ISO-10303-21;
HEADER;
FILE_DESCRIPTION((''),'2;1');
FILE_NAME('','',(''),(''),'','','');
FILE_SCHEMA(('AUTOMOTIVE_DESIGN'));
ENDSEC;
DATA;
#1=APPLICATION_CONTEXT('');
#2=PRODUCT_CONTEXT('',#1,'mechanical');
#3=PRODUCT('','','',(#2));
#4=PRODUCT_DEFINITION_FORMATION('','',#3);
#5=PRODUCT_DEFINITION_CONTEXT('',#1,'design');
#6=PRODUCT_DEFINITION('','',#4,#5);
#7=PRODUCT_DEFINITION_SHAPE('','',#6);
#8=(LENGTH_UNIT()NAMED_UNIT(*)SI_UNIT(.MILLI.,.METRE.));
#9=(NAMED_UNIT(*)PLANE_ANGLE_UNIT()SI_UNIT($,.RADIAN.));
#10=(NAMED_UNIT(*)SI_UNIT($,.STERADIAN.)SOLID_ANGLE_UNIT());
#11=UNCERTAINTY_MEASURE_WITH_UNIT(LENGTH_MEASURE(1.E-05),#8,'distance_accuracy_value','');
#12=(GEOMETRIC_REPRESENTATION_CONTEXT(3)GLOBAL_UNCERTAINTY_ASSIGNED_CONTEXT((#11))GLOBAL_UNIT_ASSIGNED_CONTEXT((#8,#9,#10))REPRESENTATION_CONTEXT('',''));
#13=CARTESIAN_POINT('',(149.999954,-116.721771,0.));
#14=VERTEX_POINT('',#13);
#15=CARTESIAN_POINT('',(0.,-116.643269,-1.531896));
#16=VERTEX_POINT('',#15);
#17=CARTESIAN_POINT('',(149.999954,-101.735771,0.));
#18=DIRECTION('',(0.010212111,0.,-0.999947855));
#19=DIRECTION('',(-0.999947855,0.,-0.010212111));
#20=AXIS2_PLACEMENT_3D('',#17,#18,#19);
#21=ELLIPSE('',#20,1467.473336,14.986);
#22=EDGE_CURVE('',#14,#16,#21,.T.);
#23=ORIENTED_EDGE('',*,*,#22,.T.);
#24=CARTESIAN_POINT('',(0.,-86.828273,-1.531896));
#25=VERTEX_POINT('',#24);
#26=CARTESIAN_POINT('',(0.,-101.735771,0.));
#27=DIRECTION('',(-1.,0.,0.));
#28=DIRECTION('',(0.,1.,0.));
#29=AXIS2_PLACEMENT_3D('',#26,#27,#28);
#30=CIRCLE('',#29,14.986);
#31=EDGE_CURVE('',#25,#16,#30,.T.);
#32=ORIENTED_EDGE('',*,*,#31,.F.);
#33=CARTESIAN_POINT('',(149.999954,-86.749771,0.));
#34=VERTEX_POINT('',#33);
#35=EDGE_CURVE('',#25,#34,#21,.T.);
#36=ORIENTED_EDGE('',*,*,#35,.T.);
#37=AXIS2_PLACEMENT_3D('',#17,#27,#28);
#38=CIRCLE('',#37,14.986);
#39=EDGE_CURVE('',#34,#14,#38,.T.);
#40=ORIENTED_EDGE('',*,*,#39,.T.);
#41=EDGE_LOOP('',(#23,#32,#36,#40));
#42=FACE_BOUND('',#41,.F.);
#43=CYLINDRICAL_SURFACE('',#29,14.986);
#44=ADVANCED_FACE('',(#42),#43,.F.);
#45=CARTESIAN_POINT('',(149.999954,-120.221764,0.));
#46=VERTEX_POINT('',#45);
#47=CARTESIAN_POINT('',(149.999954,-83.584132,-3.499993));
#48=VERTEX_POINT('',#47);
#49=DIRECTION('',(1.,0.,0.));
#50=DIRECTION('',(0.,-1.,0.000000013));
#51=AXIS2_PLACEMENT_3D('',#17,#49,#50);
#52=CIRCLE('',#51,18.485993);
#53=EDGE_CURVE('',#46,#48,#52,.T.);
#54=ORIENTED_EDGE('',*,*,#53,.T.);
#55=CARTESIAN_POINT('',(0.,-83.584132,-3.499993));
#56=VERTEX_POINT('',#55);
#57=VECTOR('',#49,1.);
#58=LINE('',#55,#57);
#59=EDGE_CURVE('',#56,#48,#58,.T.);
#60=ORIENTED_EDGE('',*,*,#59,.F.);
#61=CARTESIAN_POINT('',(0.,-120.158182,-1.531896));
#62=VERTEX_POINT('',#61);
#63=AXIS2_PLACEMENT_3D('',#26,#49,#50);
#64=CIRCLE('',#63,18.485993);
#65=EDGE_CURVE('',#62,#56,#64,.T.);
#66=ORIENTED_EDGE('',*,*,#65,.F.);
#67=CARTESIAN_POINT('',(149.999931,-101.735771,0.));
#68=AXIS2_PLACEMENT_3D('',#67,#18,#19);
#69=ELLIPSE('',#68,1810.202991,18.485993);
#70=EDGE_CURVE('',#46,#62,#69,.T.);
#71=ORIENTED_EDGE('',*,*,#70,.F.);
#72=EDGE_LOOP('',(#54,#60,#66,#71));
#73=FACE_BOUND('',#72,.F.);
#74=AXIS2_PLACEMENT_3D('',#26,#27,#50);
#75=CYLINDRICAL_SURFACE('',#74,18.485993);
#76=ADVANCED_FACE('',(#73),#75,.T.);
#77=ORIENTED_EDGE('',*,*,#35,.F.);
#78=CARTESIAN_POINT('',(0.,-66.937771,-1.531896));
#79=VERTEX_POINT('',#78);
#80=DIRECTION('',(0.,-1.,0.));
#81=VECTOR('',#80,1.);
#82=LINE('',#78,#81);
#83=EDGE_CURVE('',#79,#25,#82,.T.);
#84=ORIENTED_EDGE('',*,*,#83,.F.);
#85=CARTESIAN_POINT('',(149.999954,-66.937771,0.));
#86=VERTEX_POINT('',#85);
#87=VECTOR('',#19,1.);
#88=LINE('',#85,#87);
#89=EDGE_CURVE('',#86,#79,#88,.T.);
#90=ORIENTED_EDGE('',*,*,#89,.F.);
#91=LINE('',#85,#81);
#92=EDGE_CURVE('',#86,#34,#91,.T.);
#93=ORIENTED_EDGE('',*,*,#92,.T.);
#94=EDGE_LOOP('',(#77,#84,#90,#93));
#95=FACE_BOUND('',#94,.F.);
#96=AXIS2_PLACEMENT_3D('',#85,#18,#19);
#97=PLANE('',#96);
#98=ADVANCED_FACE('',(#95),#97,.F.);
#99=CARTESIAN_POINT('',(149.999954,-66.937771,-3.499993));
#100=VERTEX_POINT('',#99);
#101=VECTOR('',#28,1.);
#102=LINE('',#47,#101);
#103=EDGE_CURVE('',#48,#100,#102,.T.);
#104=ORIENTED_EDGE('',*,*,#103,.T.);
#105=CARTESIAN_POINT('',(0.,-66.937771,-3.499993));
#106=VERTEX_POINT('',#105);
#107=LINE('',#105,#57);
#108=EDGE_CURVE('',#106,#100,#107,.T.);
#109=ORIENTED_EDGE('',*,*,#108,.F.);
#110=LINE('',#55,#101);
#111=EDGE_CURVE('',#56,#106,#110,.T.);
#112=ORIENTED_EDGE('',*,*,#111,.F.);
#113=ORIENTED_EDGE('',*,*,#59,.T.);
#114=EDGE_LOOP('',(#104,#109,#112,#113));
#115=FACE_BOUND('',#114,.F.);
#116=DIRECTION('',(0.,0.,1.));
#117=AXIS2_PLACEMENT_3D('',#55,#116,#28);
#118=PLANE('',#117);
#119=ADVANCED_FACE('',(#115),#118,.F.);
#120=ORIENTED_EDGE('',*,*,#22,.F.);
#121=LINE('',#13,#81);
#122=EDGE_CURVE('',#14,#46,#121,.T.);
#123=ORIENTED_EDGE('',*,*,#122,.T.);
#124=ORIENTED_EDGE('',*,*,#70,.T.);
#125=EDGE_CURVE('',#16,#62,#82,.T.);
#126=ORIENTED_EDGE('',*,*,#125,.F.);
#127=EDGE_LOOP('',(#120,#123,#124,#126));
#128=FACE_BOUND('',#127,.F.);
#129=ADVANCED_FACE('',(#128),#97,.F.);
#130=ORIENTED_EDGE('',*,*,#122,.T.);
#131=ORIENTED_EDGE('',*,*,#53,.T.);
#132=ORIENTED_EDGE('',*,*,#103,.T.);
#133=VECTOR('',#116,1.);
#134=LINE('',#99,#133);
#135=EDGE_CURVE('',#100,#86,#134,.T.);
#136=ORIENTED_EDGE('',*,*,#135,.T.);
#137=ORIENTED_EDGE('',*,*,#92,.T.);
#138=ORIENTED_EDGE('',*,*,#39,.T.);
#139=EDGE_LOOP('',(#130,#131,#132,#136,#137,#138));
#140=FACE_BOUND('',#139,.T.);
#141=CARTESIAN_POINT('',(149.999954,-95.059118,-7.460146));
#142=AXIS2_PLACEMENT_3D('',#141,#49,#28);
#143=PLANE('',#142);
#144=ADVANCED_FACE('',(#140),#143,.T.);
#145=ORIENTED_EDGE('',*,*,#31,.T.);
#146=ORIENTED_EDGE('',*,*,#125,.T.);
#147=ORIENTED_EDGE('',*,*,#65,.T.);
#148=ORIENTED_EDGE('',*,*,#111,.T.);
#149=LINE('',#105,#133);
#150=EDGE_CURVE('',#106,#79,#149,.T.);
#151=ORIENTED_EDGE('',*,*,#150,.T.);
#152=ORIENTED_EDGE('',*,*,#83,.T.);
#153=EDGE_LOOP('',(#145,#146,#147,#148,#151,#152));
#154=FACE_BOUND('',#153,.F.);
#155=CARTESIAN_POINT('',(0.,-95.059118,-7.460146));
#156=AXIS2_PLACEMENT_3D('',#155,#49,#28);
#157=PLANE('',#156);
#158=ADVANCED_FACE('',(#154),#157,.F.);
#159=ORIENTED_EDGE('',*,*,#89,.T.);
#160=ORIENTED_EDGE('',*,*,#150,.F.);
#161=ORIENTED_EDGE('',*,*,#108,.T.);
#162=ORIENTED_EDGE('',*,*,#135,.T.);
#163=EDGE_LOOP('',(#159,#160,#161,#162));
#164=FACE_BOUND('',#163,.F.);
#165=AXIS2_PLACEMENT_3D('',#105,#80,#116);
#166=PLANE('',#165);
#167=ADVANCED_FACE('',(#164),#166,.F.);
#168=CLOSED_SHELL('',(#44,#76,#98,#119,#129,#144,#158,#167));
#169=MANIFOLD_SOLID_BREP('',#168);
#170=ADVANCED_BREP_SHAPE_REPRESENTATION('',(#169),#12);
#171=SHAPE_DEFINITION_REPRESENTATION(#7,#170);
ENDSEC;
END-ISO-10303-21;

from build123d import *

# Parameters (mm, degrees)
F1_DEPTH = 149.999954
F3_DEPTH = 78.74


with BuildPart() as f1:
    # F0 (on Right) → F1 (new body)
    with BuildSketch(Plane.YZ):
        with BuildLine():
            ThreePointArc((-86.749771, 0), (-101.735771, -14.986), (-116.721771, 0))
            Line((-116.721771, 0), (-120.221764, 0))
            ThreePointArc((-120.221764, 0), (-103.493734, -18.402215), (-83.584132, -3.499993))
            Line((-83.584132, -3.499993), (-66.937771, -3.499993))
            Line((-66.937771, -3.499993), (-66.937771, 0))
            Line((-66.937771, 0), (-86.749771, 0))
        make_face()
    extrude(amount=F1_DEPTH)

    # F2 (on face) → F3 (cut)
    with BuildSketch(Plane(origin=(0, -66.937771, 0), x_dir=(-1, 0, 0), z_dir=(0, 1, 0))):
        Polygon((0, 0), (-149.999954, 0), (0, -1.531896), align=None)
    extrude(amount=-F3_DEPTH, mode=Mode.SUBTRACT)


solid = f1.part
